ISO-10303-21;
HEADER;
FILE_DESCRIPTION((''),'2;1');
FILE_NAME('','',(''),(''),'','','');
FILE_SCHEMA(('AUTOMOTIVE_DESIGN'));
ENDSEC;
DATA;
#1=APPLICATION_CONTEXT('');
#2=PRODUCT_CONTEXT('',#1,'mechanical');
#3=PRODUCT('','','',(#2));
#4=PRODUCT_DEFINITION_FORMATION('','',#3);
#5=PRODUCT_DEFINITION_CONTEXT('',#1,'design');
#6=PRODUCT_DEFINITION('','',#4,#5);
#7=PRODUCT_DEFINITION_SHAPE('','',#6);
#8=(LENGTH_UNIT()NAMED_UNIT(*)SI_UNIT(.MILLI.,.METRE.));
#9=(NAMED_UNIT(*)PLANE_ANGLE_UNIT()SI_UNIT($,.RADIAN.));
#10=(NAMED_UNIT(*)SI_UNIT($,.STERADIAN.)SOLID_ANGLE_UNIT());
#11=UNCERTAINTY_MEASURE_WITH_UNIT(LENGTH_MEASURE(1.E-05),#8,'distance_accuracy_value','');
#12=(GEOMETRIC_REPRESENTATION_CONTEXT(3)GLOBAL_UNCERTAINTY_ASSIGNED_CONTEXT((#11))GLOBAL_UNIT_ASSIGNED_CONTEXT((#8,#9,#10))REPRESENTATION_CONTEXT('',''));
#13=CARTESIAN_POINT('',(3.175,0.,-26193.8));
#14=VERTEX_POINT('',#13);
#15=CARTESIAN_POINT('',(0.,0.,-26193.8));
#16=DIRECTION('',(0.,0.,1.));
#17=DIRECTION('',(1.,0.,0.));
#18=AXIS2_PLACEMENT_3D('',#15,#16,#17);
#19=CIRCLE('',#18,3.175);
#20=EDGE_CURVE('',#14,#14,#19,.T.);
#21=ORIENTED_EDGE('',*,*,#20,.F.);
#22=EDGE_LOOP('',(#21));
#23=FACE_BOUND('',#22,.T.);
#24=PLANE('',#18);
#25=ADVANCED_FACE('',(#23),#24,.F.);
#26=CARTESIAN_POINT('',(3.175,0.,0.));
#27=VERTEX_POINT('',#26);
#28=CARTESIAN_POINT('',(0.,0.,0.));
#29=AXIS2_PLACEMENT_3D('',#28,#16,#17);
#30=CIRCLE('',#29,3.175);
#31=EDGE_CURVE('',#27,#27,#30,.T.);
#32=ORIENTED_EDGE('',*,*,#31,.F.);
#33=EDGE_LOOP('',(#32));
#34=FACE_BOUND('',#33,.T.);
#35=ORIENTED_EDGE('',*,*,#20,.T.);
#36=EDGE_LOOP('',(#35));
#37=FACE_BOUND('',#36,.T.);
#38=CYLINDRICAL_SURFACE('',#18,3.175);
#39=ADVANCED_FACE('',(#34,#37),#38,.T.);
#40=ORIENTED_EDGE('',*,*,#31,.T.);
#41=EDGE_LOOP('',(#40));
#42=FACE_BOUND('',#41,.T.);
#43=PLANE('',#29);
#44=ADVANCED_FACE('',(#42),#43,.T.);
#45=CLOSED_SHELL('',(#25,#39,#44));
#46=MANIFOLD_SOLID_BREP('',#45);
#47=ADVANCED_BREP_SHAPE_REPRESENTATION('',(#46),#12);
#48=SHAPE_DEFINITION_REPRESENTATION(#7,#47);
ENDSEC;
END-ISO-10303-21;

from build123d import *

# Parameters (mm, degrees)
SKETCH1_R           = 3.175
BOSS_EXTRUDE1_DEPTH = 26193.8


with BuildPart() as part:
    # Sketch1 → Boss-Extrude1 (new body)
    with BuildSketch(Plane.XY):
        Circle(SKETCH1_R)
    extrude(amount=-BOSS_EXTRUDE1_DEPTH)


solid = part.part
